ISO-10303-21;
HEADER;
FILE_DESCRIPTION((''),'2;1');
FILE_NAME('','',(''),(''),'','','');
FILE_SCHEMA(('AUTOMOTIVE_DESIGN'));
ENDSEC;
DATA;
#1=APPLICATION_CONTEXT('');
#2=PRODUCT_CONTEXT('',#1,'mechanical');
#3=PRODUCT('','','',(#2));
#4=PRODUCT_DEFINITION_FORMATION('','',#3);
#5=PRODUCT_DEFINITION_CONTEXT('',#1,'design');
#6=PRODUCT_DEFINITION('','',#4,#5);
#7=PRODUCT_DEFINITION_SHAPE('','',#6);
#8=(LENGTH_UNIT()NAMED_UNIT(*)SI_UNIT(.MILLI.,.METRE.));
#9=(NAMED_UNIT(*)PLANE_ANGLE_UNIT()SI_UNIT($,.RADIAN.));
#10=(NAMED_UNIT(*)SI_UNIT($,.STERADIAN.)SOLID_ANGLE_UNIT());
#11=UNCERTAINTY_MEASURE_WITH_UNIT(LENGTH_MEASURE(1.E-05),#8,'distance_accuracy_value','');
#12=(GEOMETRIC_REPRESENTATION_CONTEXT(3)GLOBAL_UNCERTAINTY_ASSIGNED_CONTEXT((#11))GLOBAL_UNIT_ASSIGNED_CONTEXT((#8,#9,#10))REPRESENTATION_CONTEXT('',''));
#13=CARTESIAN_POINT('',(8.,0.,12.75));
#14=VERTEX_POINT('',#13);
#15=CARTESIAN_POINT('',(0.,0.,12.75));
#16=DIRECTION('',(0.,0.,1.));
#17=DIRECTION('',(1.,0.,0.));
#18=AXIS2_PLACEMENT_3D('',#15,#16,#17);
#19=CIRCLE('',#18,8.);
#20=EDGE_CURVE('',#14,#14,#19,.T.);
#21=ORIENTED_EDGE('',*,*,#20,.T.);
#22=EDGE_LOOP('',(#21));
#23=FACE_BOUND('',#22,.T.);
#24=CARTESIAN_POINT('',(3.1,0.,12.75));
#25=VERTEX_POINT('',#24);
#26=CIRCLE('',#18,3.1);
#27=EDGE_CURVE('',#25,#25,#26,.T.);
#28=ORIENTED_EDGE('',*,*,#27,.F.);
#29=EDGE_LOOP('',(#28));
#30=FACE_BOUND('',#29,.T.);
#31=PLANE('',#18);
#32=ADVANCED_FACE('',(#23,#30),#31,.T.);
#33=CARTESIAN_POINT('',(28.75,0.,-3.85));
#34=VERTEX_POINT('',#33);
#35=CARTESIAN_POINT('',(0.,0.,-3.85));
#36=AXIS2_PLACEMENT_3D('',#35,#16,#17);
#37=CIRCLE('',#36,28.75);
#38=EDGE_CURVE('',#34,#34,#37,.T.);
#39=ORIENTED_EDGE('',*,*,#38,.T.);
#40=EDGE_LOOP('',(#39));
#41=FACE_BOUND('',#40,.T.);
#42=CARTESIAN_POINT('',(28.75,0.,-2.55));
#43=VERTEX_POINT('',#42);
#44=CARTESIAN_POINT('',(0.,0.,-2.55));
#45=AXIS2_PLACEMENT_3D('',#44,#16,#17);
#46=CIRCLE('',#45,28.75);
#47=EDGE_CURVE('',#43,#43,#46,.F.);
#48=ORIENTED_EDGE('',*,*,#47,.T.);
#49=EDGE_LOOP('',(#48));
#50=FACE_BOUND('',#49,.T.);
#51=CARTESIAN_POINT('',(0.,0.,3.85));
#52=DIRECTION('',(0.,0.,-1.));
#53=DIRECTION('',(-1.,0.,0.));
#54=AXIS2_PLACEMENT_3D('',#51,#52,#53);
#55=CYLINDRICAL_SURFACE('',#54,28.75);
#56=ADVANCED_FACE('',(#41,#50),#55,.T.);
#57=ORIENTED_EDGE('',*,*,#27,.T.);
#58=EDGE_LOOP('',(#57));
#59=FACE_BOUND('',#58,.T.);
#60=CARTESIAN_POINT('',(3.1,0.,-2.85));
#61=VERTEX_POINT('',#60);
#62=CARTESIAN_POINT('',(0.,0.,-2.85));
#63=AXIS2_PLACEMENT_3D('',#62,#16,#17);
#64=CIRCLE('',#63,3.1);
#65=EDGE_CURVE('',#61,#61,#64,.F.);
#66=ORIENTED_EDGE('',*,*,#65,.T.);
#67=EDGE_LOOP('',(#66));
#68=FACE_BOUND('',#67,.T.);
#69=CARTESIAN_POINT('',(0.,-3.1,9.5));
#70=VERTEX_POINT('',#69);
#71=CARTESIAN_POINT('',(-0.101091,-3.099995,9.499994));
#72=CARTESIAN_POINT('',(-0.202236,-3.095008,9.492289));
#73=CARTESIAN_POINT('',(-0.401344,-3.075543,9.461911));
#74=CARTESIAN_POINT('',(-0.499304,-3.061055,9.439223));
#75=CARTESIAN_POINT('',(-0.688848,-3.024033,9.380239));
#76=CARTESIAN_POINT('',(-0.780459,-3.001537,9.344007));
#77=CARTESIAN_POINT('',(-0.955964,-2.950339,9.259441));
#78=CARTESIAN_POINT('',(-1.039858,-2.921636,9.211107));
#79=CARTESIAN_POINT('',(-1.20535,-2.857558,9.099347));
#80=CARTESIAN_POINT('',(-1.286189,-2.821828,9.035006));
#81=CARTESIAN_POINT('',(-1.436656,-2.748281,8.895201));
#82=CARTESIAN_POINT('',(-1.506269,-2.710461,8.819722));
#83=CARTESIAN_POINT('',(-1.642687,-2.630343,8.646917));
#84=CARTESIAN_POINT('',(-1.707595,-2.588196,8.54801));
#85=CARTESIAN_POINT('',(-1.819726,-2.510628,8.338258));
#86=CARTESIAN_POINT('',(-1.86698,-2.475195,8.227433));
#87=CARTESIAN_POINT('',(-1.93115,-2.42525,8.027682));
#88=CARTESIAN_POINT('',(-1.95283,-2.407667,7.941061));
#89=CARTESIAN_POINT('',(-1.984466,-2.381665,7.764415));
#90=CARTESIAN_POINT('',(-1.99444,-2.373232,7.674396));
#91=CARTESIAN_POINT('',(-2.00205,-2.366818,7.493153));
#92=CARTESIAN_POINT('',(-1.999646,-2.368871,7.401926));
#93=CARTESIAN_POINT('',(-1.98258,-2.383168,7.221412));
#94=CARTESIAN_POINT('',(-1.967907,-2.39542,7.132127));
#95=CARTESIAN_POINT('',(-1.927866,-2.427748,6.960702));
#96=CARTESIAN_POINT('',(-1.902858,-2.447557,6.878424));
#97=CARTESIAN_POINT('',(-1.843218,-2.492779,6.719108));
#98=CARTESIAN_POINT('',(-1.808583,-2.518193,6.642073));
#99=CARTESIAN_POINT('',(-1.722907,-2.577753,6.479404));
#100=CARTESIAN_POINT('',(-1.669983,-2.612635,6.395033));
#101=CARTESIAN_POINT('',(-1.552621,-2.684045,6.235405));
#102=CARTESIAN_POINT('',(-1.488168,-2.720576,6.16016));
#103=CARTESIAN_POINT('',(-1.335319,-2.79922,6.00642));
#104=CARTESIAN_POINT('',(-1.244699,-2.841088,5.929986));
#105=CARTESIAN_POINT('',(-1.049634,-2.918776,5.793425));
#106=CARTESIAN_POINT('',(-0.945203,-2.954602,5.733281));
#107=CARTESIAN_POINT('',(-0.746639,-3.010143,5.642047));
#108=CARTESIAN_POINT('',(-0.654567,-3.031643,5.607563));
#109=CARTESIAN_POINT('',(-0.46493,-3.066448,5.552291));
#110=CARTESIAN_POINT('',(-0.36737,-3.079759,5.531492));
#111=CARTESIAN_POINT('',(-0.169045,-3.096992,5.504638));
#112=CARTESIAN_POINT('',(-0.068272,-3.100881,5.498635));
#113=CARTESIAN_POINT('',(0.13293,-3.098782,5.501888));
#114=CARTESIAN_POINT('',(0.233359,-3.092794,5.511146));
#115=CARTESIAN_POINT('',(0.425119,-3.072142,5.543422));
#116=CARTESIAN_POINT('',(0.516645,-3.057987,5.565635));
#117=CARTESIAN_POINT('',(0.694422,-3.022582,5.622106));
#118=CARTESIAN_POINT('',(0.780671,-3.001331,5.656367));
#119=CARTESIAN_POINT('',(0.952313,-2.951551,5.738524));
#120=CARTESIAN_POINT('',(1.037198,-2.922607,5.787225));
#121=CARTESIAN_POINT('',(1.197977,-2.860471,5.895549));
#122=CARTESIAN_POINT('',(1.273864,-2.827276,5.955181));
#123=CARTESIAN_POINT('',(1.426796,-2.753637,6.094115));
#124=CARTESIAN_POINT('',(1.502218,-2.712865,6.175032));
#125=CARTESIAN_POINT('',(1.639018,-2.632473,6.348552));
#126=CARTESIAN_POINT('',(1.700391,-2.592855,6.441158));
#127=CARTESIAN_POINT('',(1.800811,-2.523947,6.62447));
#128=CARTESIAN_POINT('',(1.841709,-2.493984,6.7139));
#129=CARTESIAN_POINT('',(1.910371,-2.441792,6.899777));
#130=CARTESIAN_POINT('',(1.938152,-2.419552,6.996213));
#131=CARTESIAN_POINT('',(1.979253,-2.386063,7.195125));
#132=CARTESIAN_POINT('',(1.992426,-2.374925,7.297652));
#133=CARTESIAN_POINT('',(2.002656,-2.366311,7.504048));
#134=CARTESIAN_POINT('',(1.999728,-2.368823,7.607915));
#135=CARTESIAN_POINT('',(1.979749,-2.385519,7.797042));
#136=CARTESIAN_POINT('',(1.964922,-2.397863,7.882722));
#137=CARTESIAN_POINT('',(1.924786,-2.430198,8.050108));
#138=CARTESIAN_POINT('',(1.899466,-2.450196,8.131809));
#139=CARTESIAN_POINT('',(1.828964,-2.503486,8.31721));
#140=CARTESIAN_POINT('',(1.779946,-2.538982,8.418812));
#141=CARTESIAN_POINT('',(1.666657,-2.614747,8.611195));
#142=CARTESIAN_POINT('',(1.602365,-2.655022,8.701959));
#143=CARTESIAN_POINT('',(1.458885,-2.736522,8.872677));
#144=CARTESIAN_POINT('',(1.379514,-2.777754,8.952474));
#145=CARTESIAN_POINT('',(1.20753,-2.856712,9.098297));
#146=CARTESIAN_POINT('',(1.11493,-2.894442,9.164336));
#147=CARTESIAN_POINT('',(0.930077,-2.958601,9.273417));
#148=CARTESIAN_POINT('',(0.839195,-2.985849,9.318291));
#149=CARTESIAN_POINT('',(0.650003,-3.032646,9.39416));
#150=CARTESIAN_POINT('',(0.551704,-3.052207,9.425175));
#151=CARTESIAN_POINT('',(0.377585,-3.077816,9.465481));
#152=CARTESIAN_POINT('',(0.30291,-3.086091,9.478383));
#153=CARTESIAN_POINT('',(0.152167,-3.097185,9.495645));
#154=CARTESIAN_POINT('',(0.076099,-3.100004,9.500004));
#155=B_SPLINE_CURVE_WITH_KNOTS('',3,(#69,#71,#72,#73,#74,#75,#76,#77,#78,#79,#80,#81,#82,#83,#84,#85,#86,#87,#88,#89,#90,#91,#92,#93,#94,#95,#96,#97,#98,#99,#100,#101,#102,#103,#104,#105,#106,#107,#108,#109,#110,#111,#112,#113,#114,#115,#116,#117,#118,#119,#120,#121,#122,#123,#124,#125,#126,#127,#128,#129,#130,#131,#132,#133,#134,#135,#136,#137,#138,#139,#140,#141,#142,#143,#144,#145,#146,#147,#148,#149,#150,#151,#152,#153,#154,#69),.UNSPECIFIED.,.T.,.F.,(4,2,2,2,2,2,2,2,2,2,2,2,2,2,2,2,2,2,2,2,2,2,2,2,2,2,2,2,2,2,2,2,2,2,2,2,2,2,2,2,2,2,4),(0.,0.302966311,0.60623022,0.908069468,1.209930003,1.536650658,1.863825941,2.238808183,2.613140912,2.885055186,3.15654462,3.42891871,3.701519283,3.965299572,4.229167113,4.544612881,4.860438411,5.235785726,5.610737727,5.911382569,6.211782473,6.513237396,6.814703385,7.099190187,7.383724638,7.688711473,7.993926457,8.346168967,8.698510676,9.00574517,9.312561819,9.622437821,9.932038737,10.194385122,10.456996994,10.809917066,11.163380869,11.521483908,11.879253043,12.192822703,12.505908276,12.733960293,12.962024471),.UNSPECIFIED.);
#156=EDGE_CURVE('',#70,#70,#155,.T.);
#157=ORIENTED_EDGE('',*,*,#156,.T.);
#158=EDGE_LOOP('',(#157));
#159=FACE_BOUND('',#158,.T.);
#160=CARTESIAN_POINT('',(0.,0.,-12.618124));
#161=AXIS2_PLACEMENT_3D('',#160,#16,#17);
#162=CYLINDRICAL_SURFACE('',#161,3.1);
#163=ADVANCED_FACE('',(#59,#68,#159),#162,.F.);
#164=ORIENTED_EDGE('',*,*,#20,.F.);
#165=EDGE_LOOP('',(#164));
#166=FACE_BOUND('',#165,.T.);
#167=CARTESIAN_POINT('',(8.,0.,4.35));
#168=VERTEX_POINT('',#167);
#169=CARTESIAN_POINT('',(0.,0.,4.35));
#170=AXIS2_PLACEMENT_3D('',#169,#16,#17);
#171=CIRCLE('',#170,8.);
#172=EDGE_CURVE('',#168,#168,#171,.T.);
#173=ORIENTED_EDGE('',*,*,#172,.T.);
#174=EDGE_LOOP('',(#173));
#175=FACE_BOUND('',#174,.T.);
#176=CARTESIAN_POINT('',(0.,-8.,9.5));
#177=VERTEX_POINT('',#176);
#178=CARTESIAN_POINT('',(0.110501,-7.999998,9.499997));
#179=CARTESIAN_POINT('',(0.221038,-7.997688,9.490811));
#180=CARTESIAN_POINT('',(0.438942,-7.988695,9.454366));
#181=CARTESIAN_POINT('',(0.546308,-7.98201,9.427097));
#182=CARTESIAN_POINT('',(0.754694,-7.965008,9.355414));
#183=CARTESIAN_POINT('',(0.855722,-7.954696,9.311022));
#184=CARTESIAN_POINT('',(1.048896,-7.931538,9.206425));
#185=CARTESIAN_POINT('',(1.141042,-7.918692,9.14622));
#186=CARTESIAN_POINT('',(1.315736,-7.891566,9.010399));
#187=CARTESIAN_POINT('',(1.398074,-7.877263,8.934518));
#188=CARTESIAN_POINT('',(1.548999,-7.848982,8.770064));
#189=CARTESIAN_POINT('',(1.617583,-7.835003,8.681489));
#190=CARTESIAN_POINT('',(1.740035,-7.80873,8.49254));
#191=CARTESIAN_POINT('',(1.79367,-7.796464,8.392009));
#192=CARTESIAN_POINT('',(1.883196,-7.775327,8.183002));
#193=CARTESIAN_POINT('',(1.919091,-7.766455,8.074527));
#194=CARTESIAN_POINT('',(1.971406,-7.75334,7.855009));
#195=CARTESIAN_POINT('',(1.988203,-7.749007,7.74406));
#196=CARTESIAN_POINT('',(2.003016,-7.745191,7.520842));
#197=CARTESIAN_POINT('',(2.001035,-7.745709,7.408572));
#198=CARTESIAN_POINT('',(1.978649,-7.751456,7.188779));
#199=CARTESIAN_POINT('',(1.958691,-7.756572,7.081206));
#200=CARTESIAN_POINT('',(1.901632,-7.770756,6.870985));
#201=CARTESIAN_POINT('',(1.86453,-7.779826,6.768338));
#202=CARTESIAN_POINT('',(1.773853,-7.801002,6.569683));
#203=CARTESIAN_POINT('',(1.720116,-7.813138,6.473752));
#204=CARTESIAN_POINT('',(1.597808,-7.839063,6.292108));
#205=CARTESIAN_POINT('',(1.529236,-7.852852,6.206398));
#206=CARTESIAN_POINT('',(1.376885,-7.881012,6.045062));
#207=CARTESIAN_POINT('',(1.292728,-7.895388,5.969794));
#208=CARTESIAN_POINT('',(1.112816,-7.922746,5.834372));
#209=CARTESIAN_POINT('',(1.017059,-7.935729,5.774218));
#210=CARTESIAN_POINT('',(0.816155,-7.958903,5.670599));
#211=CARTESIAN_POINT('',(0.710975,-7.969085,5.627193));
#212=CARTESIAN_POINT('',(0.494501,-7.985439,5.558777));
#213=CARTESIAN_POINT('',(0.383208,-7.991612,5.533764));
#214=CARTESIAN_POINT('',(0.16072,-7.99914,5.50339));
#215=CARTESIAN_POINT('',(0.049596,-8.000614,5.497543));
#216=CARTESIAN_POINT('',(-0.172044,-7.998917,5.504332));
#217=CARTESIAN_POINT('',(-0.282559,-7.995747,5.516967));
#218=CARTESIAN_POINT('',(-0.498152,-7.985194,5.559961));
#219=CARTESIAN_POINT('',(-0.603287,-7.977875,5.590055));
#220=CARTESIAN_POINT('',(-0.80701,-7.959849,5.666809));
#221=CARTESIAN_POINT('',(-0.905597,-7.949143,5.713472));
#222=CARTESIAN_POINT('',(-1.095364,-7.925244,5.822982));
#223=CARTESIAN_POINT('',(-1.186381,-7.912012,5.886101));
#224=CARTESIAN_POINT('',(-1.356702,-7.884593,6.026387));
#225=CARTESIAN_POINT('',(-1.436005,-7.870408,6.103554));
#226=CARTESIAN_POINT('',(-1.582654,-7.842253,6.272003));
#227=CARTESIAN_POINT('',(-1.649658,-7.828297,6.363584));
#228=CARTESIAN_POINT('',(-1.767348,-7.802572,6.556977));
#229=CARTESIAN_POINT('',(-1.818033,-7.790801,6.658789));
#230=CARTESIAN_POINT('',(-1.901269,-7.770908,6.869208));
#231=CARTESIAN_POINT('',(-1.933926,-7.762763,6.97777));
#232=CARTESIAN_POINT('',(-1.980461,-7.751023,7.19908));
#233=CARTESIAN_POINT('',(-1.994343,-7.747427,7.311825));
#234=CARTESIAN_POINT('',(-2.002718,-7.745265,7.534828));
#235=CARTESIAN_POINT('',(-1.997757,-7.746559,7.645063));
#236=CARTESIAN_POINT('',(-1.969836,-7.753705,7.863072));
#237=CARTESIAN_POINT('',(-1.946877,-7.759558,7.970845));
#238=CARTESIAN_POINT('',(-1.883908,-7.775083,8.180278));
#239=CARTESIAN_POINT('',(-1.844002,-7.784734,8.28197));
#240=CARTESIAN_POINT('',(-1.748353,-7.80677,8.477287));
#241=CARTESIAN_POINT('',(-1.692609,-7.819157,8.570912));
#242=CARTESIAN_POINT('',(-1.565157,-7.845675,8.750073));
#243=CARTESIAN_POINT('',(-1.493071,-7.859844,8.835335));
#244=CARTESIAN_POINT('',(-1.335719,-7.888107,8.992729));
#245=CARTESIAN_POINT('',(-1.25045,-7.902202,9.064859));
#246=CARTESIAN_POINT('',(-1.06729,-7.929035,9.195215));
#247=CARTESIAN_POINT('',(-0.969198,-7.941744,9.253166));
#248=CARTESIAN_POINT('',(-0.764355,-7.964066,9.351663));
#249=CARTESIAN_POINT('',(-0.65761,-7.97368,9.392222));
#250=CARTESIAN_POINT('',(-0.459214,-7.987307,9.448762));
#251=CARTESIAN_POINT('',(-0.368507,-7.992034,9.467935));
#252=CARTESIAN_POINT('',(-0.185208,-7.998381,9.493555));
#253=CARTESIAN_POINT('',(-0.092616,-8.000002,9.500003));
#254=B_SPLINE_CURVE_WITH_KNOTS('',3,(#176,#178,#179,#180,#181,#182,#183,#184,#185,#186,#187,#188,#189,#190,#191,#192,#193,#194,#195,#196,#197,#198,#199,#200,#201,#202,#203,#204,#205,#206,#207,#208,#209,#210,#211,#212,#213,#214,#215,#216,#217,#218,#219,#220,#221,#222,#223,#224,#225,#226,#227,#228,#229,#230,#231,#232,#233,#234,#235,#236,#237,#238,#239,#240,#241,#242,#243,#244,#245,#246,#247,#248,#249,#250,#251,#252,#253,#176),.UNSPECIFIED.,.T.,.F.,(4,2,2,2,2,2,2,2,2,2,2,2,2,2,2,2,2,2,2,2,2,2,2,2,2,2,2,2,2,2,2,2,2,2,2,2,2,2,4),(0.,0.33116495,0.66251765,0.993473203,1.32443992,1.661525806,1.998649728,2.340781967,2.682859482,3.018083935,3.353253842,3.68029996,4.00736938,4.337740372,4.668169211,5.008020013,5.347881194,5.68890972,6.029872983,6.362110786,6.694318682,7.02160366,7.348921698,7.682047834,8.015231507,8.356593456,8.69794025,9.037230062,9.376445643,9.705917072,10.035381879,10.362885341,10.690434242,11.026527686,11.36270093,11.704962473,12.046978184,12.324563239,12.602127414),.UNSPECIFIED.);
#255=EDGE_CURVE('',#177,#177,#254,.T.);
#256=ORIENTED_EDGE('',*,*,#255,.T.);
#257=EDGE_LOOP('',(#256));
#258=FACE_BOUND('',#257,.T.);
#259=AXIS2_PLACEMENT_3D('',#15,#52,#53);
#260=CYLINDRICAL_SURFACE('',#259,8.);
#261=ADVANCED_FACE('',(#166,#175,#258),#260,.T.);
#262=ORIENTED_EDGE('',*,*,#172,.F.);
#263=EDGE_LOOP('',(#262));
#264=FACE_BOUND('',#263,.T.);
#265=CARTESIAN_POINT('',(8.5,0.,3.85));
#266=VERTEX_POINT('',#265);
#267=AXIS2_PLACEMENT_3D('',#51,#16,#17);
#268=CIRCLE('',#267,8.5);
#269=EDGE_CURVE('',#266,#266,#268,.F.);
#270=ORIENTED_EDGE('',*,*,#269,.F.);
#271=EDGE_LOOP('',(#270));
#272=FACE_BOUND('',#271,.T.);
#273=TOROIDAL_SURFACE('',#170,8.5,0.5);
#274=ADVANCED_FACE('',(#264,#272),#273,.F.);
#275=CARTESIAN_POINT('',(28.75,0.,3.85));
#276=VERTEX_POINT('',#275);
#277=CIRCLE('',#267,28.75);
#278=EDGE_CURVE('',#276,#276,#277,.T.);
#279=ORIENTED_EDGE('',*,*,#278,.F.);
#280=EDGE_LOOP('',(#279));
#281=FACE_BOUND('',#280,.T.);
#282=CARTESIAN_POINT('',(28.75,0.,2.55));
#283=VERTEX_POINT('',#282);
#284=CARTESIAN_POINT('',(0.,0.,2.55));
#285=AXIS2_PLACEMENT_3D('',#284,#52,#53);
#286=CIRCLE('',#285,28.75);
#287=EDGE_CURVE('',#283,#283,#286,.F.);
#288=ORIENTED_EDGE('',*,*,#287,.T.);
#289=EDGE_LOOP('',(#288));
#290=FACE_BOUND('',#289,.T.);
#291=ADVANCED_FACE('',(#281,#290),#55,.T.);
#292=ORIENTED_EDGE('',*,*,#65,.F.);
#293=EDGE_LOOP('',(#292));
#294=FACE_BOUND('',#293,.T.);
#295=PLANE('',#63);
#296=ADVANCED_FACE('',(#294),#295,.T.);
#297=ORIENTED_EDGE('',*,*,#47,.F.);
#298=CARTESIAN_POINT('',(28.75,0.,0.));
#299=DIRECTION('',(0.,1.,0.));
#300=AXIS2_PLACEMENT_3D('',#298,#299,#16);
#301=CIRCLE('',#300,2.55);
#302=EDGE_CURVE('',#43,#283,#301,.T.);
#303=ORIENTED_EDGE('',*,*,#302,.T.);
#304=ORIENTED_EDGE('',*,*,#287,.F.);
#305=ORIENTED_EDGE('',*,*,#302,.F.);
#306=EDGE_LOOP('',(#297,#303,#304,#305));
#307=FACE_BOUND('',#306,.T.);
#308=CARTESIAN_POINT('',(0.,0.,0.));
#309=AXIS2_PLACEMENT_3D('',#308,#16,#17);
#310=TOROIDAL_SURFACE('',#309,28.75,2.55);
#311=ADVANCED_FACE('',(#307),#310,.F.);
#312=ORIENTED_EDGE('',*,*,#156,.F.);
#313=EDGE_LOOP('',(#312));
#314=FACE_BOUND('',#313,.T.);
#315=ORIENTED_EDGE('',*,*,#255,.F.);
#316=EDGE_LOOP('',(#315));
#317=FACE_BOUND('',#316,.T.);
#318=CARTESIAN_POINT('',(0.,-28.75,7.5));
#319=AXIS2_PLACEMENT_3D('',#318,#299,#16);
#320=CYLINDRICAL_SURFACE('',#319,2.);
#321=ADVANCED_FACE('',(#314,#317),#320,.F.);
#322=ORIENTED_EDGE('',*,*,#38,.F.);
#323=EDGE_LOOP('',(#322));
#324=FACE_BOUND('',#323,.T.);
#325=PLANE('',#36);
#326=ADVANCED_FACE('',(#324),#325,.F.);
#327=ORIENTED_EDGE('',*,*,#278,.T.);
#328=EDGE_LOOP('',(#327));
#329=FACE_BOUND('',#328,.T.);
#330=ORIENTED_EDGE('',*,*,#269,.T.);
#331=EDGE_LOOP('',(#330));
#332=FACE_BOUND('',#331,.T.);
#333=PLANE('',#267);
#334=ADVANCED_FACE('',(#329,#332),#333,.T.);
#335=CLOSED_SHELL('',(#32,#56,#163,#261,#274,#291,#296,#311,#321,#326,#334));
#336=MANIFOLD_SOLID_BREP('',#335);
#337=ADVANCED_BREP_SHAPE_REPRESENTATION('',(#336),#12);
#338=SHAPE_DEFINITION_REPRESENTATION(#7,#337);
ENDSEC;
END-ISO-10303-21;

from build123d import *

# Parameters (mm, degrees)
SKETCH1_R           = 28.75
BOSS_EXTRUDE1_DEPTH = 3.85
SKETCH2_R           = 2.55
SKETCH4_R           = 8
BOSS_EXTRUDE2_DEPTH = 8.9
SKETCH5_R           = 3.1
CUT_EXTRUDE1_DEPTH  = 15.6
SKETCH6_R           = 2
CUT_EXTRUDE2_DEPTH  = 43.61088476
FILLET1_R           = 0.5


with BuildPart() as part:
    # Sketch1 → Boss-Extrude1 (new, symmetric)
    with BuildSketch(Plane.XY):
        with Locations(Location((0, 0, 0), (0, 0, 180))):
            Circle(SKETCH1_R)
    extrude(amount=BOSS_EXTRUDE1_DEPTH, both=True)

    # Cut-Sweep1: sweep along a curve in space
    with BuildLine() as cut_sweep1_path:
        ThreePointArc((28.75, 0, -3.85), (20.329319959, 20.329319959, -3.85), (0, 28.75, -3.85))
        ThreePointArc((0, 28.75, -3.85), (-20.329319959, 20.329319959, -3.85), (-28.75, 0, -3.85))
        ThreePointArc((-28.75, 0, -3.85), (-20.329319959, -20.329319959, -3.85), (0, -28.75, -3.85))
        ThreePointArc((0, -28.75, -3.85), (20.329319959, -20.329319959, -3.85), (28.75, 0, -3.85))
    # Sketch2 → Cut-Sweep1 (sweep, cut)
    with BuildSketch(Plane(origin=(0, 0, 0), x_dir=(1, 0, 0), z_dir=(0, 1, 0))):
        with Locations((28.75, 0)):
            Circle(SKETCH2_R)
    sweep(path=cut_sweep1_path.line, mode=Mode.SUBTRACT)

    # Sketch4 → Boss-Extrude2 (add)
    with BuildSketch(Plane.XY.offset(3.85)):
        Circle(SKETCH4_R)
    extrude(amount=BOSS_EXTRUDE2_DEPTH)

    # Sketch5 → Cut-Extrude1 (cut)
    with BuildSketch(Plane.XY.offset(12.75)):
        Circle(SKETCH5_R)
    extrude(amount=-CUT_EXTRUDE1_DEPTH, mode=Mode.SUBTRACT)

    # Sketch6 → Cut-Extrude2 (cut, through all)
    with BuildSketch(Plane(origin=(0, 0, 0), x_dir=(1, 0, 0), z_dir=(0, 1, 0))):
        with Locations(Location((0, -7.5, 0), (0, 0, 270))):
            Circle(SKETCH6_R)
    extrude(amount=-CUT_EXTRUDE2_DEPTH, mode=Mode.SUBTRACT)

    # Fillet1
    fillet1_edges = [part.edges().sort_by_distance(p)[0] for p in [
        (-8, 0, 3.85),
    ]]
    fillet(fillet1_edges, radius=FILLET1_R)


solid = part.part
